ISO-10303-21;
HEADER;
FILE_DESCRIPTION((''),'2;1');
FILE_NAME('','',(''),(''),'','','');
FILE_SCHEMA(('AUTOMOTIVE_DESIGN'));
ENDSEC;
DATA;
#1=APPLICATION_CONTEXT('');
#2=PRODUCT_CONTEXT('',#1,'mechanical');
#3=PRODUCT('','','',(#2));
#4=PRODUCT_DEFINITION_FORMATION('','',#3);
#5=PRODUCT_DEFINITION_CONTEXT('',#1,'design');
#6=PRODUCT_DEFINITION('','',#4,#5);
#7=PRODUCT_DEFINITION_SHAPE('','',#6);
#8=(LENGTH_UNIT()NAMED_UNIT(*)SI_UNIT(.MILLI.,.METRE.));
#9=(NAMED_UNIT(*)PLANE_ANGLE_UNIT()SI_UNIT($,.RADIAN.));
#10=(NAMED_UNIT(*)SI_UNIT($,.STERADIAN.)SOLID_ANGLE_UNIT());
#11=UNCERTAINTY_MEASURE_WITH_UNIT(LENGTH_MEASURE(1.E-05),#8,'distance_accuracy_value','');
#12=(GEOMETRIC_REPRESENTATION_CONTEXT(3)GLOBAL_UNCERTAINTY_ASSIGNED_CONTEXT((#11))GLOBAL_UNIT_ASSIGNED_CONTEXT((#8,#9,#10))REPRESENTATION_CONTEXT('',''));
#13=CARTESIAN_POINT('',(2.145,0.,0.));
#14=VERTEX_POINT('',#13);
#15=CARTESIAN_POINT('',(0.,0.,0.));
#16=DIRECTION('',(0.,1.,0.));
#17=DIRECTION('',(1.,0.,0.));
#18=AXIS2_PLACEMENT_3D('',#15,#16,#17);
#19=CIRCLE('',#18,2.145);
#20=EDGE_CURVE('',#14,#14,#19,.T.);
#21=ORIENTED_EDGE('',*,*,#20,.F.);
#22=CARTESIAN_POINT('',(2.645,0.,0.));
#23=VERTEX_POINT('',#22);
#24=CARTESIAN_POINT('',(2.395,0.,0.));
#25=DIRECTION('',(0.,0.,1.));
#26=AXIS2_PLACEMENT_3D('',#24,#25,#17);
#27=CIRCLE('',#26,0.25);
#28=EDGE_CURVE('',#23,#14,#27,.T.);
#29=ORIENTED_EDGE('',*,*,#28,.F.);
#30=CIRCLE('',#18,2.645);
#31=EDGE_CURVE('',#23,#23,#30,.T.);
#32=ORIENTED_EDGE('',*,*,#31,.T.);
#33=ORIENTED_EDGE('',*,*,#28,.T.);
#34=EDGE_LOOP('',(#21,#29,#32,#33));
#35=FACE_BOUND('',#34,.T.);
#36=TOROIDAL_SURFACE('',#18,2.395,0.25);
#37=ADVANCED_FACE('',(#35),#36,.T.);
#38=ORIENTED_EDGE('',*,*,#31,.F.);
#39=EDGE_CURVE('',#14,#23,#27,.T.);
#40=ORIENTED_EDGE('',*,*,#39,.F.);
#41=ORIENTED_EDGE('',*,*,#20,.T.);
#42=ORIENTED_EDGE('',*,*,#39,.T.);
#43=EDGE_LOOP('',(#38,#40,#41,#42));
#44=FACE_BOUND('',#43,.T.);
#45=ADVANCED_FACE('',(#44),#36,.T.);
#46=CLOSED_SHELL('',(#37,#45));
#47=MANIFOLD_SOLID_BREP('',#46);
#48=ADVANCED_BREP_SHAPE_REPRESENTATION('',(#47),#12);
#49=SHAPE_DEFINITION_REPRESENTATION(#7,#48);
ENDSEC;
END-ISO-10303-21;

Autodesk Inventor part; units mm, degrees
ref_plane "YZ Plane" through (0, 0, 0) normal (1, 0, 0) x (0, 1, 0)
ref_plane "XZ Plane" through (0, 0, 0) normal (0, 1, 0) x (-1, 0, 0)
ref_plane "XY Plane" through (0, 0, 0) normal (0, 0, 1) x (1, 0, 0)
sketch "Sketch1" plane through (0, 0, 0) normal (0, 0, 1) x (1, 0, 0)
  line L0 (0, -2.136) -> (0, 2.2442)
  line L1 (0, 0) -> (2.145, 0) construction
  circle A0 centre (2.395, 0) radius 0.25
  line L2 (2.145, 0) -> (2.145, 0.4659)
  dimension "d6" = 2.145
revolve "Revolution1" add sketch "Sketch1" angle 360 about axis through (0, -2.136, 0) along (0, 1, 0)
properties part number "o_ring_4.29_0.5XXX"
